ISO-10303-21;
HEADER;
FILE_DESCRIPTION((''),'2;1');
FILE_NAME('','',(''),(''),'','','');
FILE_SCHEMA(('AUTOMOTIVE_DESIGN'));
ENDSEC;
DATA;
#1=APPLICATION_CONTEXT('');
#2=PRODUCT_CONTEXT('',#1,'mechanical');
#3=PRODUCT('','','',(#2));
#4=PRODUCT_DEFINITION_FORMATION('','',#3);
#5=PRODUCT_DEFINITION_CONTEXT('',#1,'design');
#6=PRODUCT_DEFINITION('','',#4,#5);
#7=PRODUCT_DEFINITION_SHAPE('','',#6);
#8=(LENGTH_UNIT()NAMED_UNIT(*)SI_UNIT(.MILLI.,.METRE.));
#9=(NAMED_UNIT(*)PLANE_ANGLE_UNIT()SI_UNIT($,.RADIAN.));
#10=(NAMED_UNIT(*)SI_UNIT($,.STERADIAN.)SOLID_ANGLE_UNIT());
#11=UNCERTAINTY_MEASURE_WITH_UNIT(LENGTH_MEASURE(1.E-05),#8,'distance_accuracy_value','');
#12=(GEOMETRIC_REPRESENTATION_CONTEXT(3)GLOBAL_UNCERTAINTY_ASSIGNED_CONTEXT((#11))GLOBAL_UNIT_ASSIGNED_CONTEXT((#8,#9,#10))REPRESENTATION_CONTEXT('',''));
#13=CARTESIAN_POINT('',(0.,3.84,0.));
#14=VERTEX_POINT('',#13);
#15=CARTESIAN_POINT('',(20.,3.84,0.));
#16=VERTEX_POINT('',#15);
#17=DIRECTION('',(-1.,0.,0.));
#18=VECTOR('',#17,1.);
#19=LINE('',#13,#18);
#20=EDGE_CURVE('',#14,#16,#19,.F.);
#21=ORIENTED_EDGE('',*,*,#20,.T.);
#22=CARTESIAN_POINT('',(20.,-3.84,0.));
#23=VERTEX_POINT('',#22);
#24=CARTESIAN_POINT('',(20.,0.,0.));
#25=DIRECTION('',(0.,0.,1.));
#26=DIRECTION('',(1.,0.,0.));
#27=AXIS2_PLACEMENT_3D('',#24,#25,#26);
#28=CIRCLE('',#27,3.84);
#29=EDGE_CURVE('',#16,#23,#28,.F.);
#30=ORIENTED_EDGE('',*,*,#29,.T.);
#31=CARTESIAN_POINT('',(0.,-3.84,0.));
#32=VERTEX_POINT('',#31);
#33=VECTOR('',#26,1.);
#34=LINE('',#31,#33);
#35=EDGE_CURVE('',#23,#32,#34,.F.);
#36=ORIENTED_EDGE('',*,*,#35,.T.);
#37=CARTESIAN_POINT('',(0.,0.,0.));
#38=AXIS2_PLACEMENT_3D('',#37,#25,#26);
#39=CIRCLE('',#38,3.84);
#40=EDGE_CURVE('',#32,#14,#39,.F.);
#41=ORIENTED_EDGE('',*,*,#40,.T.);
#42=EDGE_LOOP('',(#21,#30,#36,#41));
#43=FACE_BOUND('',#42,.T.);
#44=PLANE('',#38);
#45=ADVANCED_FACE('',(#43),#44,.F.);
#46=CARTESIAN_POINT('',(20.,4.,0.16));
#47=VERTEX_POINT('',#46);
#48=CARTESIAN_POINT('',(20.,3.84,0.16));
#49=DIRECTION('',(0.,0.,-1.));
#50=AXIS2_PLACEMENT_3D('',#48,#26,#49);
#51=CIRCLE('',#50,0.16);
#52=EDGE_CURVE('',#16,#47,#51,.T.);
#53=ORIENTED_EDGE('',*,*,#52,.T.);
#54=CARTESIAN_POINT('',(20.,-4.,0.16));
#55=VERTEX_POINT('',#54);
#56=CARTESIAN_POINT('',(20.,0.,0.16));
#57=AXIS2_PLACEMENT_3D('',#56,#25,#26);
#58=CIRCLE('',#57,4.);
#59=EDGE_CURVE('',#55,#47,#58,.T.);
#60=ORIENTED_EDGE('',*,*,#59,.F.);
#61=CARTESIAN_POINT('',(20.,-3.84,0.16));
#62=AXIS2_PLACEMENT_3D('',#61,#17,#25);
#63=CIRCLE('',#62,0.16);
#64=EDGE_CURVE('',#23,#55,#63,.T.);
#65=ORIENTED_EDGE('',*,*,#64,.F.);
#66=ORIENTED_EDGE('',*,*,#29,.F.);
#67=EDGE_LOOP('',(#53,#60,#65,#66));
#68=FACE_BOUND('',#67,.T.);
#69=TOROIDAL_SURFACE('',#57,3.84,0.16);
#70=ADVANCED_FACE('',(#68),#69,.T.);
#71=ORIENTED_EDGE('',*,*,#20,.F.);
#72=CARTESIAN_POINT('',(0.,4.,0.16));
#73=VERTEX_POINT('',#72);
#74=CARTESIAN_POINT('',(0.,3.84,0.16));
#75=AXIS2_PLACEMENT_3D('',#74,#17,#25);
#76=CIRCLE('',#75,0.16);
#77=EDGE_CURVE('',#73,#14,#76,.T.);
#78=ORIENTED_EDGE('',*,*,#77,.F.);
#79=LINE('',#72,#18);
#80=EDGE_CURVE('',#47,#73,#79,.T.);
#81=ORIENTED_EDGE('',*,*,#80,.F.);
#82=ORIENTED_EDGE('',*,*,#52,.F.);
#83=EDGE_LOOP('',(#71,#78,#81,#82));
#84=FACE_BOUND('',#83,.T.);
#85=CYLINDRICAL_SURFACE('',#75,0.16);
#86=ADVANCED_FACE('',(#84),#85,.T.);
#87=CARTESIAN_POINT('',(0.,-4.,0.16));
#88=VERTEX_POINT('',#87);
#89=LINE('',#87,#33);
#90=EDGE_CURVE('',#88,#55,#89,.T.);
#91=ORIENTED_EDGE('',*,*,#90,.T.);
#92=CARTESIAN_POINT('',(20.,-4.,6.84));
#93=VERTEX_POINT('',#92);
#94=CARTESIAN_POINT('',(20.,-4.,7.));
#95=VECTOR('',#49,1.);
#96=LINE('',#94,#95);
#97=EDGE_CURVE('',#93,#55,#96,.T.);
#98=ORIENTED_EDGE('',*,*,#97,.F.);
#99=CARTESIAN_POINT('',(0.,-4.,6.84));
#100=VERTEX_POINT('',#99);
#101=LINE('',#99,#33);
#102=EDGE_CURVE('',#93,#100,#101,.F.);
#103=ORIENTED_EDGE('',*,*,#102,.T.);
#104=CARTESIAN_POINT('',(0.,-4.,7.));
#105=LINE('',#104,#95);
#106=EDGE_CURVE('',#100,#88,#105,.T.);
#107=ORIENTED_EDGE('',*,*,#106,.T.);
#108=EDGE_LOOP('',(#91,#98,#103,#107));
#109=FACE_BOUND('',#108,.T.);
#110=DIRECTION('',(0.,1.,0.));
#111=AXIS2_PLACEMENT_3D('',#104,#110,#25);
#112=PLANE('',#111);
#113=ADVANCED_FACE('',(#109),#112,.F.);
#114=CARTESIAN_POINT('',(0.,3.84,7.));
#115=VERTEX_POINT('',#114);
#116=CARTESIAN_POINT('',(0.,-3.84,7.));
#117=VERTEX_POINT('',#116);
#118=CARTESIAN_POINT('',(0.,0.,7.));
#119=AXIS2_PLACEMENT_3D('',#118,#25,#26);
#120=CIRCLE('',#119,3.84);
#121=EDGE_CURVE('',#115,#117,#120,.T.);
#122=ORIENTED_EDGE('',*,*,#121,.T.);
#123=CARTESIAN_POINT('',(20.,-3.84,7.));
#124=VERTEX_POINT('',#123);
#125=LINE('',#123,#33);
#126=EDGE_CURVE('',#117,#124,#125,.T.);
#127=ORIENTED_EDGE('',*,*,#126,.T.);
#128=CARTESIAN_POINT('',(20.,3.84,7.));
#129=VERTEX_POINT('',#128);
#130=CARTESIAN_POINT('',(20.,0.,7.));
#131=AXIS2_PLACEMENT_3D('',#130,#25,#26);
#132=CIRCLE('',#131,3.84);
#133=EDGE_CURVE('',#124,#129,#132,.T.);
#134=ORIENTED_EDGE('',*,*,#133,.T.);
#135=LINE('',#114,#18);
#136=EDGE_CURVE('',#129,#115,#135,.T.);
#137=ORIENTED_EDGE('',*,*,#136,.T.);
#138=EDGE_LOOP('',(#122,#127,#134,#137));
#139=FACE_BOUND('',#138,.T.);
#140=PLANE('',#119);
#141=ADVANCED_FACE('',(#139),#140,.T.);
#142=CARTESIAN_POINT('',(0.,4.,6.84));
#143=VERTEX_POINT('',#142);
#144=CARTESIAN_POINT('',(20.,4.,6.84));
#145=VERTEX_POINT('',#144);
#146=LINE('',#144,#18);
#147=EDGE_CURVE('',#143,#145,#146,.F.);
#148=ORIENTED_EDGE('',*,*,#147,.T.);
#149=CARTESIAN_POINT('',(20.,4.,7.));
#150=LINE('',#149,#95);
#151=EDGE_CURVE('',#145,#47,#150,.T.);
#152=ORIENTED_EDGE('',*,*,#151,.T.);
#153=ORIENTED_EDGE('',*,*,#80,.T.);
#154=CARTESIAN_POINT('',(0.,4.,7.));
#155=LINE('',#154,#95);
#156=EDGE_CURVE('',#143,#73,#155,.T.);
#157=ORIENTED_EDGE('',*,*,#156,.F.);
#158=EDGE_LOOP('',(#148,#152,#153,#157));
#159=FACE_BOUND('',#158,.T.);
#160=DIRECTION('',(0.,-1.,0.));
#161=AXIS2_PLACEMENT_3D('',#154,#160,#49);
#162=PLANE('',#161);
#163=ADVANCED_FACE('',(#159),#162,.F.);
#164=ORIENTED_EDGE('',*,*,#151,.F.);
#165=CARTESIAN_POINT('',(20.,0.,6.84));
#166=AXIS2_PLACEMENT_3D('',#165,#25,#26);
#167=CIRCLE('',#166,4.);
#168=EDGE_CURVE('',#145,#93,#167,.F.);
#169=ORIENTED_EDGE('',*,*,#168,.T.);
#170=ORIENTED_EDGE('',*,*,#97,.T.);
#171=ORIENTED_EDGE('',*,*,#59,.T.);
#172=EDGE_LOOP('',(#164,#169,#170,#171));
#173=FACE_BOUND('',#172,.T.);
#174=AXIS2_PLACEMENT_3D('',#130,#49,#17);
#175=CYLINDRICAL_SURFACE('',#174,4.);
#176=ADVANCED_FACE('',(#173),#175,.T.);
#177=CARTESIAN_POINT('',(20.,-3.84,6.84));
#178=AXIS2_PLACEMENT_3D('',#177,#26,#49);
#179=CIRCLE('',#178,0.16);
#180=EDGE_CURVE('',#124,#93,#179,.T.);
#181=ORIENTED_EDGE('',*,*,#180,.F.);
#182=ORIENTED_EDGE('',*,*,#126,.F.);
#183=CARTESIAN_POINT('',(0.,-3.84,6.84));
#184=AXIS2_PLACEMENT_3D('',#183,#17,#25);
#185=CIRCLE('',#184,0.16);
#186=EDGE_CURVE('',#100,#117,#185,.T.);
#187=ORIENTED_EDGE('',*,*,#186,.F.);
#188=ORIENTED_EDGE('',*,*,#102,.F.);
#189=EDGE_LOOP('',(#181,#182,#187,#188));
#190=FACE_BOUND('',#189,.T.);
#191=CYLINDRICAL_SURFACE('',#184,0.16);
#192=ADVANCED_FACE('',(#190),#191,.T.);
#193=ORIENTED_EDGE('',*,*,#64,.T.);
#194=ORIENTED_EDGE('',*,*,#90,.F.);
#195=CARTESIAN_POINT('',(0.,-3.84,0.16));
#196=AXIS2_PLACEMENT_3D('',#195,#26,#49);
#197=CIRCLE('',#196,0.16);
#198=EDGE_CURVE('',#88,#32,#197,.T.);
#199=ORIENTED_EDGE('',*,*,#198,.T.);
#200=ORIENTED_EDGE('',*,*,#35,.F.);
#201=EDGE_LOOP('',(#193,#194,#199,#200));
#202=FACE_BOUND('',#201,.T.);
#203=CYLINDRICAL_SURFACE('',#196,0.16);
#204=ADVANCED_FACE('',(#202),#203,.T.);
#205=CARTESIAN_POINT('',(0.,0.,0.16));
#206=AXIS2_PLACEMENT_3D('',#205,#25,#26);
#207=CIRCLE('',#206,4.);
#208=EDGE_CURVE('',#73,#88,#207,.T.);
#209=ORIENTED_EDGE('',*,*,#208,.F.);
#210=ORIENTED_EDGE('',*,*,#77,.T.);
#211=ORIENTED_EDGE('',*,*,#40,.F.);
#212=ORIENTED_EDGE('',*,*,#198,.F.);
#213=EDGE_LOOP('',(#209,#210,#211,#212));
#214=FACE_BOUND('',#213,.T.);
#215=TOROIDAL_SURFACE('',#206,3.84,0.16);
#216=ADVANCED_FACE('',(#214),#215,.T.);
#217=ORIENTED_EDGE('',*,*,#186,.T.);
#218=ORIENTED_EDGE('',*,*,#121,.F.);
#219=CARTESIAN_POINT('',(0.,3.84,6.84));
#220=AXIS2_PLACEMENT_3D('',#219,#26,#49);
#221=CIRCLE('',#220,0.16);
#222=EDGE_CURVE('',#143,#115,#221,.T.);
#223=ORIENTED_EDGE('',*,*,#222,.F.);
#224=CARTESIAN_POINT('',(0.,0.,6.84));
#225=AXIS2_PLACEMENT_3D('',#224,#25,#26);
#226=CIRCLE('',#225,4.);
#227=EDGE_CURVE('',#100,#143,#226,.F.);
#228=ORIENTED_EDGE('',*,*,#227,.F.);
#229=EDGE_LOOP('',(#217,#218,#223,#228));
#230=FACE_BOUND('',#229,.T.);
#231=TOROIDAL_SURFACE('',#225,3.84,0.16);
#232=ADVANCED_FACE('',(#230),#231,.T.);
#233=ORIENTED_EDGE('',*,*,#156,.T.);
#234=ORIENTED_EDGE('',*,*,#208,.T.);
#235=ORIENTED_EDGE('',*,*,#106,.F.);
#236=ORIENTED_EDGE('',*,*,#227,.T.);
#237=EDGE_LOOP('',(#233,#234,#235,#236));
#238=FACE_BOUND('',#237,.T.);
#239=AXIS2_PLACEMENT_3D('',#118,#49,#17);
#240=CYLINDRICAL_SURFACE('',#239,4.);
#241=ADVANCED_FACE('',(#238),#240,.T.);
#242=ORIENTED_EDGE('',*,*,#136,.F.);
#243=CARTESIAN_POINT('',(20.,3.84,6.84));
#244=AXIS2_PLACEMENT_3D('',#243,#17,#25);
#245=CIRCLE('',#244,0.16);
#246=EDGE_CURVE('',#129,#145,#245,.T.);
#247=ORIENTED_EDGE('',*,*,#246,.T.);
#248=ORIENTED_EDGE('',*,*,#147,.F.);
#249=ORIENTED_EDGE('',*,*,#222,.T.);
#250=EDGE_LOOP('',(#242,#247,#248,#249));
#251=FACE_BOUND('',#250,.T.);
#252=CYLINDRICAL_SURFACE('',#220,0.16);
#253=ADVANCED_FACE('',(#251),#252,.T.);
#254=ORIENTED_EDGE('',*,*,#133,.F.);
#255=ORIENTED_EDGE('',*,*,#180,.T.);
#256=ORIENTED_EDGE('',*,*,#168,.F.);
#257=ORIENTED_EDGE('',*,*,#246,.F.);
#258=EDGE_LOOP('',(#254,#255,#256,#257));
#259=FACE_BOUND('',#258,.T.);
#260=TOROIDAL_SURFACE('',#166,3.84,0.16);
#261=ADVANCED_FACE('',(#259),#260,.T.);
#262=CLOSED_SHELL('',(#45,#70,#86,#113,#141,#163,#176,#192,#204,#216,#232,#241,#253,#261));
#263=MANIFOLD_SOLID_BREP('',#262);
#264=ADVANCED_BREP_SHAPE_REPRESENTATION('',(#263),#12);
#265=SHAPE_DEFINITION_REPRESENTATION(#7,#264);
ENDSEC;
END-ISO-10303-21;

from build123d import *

# Parameters (mm, degrees)
EXTRUDE_1_DEPTH = 7
FILLET_1_R      = 0.16


with BuildPart() as part:
    # Эскиз1 → Бобышка-Вытянуть1 (new body)
    with BuildSketch(Plane.XY):
        with BuildLine():
            Line((0, 4), (20, 4))
            ThreePointArc((20, 4), (24, 0), (20, -4))
            Line((20, -4), (0, -4))
            ThreePointArc((0, -4), (-4, 0), (0, 4))
        make_face()
    extrude(amount=EXTRUDE_1_DEPTH)

    # Скругление1
    fillet_1_edges = [part.edges().sort_by_distance(p)[0] for p in [
        (24, 0, 7),
        (10, 4, 7),
        (-4, 0, 7),
        (10, 4, 0),
        (24, 0, 0),
        (10, -4, 0),
        (-4, 0, 0),
        (10, -4, 7),
    ]]
    fillet(fillet_1_edges, radius=FILLET_1_R)


solid = part.part
